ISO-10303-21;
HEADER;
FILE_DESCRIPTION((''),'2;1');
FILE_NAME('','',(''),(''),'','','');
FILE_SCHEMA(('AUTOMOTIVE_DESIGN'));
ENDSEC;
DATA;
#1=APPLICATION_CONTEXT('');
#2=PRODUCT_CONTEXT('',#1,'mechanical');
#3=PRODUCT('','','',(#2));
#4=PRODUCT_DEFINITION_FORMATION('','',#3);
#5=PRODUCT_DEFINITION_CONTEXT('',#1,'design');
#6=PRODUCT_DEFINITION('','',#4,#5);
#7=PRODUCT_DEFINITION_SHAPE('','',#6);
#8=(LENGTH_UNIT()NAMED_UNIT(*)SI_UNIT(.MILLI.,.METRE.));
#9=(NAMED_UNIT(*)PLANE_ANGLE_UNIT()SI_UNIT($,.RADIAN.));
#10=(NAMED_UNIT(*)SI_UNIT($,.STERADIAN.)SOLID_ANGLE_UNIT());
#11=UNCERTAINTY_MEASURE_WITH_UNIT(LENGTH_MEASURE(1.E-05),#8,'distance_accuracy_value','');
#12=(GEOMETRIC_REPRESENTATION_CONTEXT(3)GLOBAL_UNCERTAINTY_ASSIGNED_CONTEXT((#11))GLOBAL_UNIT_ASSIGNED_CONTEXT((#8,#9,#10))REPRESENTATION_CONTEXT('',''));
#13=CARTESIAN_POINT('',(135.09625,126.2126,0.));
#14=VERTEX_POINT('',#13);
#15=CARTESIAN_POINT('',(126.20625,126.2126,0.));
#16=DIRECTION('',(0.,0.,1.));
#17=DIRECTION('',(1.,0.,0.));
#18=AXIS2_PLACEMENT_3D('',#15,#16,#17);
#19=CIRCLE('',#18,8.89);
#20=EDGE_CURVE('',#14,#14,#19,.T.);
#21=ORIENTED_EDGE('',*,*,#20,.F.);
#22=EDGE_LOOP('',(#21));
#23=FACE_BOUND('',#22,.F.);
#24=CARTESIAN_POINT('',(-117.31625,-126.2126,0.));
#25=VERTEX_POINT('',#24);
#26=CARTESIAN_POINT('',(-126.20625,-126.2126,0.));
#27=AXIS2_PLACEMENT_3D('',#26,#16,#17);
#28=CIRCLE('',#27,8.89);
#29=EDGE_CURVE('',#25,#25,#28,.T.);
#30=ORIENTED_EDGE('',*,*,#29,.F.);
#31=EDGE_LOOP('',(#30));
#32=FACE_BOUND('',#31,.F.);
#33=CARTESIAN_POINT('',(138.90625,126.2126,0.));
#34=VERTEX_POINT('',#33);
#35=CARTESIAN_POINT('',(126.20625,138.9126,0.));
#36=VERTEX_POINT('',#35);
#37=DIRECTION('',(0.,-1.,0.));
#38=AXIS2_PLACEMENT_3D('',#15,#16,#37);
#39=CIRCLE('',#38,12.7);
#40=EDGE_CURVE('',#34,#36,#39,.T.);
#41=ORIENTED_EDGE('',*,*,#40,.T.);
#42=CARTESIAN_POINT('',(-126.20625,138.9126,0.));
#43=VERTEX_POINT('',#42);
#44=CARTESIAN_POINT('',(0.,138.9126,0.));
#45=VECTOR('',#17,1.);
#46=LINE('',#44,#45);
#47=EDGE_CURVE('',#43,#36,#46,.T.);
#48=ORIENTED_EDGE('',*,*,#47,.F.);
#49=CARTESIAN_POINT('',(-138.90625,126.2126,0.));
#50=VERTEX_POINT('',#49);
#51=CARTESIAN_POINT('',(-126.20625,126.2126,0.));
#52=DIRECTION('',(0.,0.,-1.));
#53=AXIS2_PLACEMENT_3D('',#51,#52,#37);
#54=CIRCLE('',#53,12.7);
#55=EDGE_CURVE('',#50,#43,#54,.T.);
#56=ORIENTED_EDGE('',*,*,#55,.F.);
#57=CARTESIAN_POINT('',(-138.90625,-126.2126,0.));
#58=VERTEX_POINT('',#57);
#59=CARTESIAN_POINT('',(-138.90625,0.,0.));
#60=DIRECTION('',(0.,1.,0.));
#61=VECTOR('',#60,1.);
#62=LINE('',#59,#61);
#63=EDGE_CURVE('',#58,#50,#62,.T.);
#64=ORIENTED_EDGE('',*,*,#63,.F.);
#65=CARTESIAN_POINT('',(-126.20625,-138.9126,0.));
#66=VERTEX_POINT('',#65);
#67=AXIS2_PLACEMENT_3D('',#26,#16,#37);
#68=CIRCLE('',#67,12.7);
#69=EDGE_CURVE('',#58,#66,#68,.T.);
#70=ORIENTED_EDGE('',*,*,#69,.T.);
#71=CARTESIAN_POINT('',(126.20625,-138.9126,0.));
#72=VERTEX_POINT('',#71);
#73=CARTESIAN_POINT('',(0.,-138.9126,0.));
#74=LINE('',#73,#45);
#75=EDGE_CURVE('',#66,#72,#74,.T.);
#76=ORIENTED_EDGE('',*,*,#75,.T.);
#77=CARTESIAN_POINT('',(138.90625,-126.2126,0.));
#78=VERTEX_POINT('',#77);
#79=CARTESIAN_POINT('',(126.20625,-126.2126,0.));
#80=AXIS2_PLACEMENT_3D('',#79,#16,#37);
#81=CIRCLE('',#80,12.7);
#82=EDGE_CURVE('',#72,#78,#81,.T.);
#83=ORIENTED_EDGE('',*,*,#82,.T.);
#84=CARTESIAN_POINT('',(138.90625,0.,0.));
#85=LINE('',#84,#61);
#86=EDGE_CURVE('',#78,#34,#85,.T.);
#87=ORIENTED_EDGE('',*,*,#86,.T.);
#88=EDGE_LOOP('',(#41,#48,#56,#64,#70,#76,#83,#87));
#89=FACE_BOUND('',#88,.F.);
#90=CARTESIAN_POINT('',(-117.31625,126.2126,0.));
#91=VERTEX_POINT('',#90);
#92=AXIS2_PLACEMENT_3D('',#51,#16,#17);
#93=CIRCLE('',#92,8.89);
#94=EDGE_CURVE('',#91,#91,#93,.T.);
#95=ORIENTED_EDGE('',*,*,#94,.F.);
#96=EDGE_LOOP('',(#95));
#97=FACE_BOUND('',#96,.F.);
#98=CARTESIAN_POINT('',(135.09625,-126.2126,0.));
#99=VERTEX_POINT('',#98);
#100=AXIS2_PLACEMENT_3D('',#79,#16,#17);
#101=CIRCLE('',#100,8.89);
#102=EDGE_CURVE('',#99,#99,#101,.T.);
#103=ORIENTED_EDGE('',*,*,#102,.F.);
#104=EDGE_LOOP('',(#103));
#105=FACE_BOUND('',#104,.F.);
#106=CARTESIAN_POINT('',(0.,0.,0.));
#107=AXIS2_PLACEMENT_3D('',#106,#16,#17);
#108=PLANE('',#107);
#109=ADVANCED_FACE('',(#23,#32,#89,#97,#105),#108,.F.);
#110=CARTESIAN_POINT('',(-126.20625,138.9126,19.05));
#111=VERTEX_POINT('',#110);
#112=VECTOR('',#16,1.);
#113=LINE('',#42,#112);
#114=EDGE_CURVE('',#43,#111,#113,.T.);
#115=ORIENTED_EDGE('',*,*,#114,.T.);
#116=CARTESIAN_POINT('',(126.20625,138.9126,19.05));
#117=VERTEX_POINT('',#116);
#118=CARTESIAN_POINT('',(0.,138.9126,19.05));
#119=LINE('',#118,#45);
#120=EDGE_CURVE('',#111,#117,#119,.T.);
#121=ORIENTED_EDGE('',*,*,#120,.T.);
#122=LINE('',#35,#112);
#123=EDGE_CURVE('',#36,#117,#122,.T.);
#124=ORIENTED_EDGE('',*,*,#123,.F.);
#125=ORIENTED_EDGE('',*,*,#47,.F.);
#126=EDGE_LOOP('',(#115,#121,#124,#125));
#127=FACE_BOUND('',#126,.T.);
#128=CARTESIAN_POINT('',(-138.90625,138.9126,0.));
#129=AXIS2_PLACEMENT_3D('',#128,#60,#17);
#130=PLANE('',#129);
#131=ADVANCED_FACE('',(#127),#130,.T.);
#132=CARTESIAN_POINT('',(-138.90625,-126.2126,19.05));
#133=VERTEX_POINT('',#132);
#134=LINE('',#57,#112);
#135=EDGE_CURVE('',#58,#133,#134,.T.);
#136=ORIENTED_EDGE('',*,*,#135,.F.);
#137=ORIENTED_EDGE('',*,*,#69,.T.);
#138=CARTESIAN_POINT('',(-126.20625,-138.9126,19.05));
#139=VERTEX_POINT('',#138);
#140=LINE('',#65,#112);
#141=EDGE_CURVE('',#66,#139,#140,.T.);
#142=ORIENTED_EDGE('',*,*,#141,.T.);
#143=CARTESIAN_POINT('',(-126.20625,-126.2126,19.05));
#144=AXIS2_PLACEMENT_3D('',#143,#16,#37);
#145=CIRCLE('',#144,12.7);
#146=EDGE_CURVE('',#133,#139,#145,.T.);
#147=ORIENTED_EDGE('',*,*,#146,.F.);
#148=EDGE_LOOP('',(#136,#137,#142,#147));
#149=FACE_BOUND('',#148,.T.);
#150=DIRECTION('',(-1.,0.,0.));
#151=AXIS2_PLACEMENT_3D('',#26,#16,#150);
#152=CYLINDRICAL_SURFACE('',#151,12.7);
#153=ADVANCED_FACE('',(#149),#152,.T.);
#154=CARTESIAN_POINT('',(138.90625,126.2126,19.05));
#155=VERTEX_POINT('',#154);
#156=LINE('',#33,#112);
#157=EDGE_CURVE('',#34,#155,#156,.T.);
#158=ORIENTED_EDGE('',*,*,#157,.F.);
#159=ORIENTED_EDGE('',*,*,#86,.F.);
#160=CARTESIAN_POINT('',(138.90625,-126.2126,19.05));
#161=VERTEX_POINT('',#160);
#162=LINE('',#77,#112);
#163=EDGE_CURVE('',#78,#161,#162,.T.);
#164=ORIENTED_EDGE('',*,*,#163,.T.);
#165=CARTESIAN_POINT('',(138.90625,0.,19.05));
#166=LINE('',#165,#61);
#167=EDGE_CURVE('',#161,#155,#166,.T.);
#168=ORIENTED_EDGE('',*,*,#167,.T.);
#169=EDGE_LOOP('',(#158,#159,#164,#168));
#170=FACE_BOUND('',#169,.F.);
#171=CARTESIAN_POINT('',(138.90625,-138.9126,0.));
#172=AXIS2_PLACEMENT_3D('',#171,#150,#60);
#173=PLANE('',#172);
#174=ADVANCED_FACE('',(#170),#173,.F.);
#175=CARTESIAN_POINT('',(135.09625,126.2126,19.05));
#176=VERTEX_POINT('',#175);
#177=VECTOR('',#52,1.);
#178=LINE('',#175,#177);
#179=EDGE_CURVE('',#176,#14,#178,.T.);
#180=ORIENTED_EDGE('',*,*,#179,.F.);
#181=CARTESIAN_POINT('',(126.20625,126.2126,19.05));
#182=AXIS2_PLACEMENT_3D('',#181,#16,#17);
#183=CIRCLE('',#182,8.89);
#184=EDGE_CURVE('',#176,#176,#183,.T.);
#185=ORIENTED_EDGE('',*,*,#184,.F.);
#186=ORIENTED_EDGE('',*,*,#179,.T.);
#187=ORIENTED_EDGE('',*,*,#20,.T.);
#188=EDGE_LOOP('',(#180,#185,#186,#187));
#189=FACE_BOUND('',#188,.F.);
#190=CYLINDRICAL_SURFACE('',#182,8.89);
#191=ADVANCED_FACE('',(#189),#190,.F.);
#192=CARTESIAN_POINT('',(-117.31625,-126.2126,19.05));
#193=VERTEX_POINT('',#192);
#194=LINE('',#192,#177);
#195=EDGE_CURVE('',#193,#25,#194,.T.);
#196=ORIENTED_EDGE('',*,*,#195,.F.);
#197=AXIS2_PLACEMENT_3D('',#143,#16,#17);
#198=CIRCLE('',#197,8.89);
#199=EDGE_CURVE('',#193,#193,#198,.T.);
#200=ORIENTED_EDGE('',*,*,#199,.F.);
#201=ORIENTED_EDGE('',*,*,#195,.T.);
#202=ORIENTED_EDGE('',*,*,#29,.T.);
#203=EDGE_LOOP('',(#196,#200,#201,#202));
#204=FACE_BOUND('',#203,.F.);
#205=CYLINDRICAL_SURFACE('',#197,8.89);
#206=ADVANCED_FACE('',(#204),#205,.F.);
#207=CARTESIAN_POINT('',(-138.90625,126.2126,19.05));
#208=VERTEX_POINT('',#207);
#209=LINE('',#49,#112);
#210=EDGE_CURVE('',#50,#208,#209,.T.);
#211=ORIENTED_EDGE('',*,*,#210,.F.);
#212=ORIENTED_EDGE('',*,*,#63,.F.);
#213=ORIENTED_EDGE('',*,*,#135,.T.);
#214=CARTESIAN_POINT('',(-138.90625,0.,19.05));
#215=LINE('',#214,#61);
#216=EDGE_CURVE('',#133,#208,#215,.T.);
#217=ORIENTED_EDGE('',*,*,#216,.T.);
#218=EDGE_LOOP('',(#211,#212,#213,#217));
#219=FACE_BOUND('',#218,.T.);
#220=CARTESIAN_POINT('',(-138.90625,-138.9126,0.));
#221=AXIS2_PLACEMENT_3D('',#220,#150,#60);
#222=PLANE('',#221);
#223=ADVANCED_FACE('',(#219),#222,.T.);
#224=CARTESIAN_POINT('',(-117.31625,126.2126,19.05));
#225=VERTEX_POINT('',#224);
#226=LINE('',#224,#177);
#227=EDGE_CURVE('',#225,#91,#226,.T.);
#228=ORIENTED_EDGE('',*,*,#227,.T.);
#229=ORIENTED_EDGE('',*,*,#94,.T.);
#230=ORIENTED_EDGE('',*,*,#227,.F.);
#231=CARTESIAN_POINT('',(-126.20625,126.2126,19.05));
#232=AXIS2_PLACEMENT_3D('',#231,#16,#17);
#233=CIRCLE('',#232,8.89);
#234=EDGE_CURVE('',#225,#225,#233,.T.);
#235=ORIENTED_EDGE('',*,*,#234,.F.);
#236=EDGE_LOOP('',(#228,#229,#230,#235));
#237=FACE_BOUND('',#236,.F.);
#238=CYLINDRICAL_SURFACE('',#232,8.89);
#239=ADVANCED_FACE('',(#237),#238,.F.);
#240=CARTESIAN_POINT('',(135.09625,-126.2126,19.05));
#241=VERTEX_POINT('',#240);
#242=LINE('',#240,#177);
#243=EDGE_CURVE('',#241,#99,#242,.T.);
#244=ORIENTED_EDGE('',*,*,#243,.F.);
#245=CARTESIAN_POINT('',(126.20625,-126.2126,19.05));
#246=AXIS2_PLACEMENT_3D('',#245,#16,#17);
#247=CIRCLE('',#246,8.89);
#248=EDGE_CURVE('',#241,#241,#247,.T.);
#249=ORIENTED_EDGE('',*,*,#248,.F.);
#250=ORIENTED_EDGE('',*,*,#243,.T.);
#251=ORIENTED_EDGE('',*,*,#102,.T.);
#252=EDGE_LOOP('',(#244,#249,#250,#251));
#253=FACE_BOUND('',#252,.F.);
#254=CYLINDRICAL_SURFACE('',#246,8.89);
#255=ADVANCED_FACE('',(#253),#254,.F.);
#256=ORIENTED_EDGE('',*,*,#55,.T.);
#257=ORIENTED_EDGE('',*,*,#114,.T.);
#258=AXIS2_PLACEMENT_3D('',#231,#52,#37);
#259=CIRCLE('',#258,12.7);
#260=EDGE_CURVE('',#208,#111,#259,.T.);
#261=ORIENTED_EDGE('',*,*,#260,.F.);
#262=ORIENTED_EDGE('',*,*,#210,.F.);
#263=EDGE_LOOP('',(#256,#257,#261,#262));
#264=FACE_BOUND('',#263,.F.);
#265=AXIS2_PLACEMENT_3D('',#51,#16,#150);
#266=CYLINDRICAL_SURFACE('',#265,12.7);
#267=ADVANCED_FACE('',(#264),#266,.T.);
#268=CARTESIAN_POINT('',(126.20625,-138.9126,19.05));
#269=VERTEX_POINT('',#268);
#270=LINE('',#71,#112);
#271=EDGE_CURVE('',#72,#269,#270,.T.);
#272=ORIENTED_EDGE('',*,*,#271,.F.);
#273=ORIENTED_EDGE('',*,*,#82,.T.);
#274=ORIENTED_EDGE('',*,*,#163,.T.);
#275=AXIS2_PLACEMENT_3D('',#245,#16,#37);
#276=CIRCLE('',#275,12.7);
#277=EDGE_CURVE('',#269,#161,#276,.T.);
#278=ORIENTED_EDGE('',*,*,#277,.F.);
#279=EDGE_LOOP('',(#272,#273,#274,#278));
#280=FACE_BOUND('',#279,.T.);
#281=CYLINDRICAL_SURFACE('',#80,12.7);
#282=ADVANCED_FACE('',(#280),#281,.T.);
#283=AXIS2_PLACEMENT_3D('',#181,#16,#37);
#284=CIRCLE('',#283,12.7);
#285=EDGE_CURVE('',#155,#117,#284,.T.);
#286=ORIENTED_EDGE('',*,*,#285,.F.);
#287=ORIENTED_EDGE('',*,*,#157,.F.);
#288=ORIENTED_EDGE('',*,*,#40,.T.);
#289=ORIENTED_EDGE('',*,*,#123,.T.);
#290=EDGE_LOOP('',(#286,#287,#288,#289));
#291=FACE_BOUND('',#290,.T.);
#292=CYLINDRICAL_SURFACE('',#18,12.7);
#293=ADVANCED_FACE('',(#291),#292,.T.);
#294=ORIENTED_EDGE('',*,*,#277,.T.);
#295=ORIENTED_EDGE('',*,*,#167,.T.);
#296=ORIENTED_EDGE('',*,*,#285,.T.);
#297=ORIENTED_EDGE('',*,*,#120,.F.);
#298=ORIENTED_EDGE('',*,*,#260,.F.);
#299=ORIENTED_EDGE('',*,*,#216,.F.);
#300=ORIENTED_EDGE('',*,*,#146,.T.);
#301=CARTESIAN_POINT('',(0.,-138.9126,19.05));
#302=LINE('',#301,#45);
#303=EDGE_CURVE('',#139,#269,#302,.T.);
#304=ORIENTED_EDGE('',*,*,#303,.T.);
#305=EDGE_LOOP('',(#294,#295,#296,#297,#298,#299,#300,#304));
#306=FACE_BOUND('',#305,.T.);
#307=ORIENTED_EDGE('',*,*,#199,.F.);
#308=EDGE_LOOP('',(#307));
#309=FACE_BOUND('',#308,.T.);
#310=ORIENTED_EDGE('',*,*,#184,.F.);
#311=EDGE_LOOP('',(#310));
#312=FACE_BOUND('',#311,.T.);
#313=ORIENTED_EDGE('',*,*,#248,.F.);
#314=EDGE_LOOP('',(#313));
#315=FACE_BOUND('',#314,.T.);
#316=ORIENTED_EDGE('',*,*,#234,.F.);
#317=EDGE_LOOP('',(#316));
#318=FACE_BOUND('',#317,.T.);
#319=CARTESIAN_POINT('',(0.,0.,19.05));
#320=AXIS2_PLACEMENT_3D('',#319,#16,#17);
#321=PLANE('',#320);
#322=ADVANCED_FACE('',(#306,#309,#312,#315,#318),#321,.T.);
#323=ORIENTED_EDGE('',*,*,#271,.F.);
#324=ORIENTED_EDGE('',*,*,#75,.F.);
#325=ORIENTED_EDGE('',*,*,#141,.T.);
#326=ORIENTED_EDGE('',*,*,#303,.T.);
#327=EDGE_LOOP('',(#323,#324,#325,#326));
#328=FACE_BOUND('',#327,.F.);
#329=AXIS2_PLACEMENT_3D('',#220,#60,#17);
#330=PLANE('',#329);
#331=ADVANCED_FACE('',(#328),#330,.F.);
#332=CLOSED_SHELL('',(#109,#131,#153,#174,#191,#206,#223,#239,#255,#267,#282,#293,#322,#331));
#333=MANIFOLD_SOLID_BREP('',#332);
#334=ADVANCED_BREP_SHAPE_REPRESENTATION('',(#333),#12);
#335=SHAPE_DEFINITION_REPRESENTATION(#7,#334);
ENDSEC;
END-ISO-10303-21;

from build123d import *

# Parameters (mm, degrees)
F0_W     = 277.8125
F0_H     = 277.8252
F1_DEPTH = 19.05
F2_R     = 12.7
F3_R     = 8.89
F4_DEPTH = 25.4


with BuildPart() as f1:
    # F0 (on Top) → F1 (new body)
    with BuildSketch(Plane.XY):
        Rectangle(F0_W, F0_H)
    extrude(amount=F1_DEPTH)

    # F2
    f2_edges = [f1.edges().sort_by_distance(p)[0] for p in [
        (-138.90625, -138.9126, 9.525),
        (-138.90625, 138.9126, 9.525),
        (138.90625, 138.9126, 9.525),
        (138.90625, -138.9126, 9.525),
    ]]
    fillet(f2_edges, radius=F2_R)

    # F3 (on face) → F4 (cut)
    with BuildSketch(Plane.XY.offset(19.05)):
        with Locations((-126.20625, 126.2126)):
            Circle(F3_R)
        with Locations((126.20625, 126.2126)):
            Circle(F3_R)
        with Locations((126.20625, -126.2126)):
            Circle(F3_R)
        with Locations((-126.20625, -126.2126)):
            Circle(F3_R)
    extrude(amount=-F4_DEPTH, mode=Mode.SUBTRACT)


solid = f1.part
